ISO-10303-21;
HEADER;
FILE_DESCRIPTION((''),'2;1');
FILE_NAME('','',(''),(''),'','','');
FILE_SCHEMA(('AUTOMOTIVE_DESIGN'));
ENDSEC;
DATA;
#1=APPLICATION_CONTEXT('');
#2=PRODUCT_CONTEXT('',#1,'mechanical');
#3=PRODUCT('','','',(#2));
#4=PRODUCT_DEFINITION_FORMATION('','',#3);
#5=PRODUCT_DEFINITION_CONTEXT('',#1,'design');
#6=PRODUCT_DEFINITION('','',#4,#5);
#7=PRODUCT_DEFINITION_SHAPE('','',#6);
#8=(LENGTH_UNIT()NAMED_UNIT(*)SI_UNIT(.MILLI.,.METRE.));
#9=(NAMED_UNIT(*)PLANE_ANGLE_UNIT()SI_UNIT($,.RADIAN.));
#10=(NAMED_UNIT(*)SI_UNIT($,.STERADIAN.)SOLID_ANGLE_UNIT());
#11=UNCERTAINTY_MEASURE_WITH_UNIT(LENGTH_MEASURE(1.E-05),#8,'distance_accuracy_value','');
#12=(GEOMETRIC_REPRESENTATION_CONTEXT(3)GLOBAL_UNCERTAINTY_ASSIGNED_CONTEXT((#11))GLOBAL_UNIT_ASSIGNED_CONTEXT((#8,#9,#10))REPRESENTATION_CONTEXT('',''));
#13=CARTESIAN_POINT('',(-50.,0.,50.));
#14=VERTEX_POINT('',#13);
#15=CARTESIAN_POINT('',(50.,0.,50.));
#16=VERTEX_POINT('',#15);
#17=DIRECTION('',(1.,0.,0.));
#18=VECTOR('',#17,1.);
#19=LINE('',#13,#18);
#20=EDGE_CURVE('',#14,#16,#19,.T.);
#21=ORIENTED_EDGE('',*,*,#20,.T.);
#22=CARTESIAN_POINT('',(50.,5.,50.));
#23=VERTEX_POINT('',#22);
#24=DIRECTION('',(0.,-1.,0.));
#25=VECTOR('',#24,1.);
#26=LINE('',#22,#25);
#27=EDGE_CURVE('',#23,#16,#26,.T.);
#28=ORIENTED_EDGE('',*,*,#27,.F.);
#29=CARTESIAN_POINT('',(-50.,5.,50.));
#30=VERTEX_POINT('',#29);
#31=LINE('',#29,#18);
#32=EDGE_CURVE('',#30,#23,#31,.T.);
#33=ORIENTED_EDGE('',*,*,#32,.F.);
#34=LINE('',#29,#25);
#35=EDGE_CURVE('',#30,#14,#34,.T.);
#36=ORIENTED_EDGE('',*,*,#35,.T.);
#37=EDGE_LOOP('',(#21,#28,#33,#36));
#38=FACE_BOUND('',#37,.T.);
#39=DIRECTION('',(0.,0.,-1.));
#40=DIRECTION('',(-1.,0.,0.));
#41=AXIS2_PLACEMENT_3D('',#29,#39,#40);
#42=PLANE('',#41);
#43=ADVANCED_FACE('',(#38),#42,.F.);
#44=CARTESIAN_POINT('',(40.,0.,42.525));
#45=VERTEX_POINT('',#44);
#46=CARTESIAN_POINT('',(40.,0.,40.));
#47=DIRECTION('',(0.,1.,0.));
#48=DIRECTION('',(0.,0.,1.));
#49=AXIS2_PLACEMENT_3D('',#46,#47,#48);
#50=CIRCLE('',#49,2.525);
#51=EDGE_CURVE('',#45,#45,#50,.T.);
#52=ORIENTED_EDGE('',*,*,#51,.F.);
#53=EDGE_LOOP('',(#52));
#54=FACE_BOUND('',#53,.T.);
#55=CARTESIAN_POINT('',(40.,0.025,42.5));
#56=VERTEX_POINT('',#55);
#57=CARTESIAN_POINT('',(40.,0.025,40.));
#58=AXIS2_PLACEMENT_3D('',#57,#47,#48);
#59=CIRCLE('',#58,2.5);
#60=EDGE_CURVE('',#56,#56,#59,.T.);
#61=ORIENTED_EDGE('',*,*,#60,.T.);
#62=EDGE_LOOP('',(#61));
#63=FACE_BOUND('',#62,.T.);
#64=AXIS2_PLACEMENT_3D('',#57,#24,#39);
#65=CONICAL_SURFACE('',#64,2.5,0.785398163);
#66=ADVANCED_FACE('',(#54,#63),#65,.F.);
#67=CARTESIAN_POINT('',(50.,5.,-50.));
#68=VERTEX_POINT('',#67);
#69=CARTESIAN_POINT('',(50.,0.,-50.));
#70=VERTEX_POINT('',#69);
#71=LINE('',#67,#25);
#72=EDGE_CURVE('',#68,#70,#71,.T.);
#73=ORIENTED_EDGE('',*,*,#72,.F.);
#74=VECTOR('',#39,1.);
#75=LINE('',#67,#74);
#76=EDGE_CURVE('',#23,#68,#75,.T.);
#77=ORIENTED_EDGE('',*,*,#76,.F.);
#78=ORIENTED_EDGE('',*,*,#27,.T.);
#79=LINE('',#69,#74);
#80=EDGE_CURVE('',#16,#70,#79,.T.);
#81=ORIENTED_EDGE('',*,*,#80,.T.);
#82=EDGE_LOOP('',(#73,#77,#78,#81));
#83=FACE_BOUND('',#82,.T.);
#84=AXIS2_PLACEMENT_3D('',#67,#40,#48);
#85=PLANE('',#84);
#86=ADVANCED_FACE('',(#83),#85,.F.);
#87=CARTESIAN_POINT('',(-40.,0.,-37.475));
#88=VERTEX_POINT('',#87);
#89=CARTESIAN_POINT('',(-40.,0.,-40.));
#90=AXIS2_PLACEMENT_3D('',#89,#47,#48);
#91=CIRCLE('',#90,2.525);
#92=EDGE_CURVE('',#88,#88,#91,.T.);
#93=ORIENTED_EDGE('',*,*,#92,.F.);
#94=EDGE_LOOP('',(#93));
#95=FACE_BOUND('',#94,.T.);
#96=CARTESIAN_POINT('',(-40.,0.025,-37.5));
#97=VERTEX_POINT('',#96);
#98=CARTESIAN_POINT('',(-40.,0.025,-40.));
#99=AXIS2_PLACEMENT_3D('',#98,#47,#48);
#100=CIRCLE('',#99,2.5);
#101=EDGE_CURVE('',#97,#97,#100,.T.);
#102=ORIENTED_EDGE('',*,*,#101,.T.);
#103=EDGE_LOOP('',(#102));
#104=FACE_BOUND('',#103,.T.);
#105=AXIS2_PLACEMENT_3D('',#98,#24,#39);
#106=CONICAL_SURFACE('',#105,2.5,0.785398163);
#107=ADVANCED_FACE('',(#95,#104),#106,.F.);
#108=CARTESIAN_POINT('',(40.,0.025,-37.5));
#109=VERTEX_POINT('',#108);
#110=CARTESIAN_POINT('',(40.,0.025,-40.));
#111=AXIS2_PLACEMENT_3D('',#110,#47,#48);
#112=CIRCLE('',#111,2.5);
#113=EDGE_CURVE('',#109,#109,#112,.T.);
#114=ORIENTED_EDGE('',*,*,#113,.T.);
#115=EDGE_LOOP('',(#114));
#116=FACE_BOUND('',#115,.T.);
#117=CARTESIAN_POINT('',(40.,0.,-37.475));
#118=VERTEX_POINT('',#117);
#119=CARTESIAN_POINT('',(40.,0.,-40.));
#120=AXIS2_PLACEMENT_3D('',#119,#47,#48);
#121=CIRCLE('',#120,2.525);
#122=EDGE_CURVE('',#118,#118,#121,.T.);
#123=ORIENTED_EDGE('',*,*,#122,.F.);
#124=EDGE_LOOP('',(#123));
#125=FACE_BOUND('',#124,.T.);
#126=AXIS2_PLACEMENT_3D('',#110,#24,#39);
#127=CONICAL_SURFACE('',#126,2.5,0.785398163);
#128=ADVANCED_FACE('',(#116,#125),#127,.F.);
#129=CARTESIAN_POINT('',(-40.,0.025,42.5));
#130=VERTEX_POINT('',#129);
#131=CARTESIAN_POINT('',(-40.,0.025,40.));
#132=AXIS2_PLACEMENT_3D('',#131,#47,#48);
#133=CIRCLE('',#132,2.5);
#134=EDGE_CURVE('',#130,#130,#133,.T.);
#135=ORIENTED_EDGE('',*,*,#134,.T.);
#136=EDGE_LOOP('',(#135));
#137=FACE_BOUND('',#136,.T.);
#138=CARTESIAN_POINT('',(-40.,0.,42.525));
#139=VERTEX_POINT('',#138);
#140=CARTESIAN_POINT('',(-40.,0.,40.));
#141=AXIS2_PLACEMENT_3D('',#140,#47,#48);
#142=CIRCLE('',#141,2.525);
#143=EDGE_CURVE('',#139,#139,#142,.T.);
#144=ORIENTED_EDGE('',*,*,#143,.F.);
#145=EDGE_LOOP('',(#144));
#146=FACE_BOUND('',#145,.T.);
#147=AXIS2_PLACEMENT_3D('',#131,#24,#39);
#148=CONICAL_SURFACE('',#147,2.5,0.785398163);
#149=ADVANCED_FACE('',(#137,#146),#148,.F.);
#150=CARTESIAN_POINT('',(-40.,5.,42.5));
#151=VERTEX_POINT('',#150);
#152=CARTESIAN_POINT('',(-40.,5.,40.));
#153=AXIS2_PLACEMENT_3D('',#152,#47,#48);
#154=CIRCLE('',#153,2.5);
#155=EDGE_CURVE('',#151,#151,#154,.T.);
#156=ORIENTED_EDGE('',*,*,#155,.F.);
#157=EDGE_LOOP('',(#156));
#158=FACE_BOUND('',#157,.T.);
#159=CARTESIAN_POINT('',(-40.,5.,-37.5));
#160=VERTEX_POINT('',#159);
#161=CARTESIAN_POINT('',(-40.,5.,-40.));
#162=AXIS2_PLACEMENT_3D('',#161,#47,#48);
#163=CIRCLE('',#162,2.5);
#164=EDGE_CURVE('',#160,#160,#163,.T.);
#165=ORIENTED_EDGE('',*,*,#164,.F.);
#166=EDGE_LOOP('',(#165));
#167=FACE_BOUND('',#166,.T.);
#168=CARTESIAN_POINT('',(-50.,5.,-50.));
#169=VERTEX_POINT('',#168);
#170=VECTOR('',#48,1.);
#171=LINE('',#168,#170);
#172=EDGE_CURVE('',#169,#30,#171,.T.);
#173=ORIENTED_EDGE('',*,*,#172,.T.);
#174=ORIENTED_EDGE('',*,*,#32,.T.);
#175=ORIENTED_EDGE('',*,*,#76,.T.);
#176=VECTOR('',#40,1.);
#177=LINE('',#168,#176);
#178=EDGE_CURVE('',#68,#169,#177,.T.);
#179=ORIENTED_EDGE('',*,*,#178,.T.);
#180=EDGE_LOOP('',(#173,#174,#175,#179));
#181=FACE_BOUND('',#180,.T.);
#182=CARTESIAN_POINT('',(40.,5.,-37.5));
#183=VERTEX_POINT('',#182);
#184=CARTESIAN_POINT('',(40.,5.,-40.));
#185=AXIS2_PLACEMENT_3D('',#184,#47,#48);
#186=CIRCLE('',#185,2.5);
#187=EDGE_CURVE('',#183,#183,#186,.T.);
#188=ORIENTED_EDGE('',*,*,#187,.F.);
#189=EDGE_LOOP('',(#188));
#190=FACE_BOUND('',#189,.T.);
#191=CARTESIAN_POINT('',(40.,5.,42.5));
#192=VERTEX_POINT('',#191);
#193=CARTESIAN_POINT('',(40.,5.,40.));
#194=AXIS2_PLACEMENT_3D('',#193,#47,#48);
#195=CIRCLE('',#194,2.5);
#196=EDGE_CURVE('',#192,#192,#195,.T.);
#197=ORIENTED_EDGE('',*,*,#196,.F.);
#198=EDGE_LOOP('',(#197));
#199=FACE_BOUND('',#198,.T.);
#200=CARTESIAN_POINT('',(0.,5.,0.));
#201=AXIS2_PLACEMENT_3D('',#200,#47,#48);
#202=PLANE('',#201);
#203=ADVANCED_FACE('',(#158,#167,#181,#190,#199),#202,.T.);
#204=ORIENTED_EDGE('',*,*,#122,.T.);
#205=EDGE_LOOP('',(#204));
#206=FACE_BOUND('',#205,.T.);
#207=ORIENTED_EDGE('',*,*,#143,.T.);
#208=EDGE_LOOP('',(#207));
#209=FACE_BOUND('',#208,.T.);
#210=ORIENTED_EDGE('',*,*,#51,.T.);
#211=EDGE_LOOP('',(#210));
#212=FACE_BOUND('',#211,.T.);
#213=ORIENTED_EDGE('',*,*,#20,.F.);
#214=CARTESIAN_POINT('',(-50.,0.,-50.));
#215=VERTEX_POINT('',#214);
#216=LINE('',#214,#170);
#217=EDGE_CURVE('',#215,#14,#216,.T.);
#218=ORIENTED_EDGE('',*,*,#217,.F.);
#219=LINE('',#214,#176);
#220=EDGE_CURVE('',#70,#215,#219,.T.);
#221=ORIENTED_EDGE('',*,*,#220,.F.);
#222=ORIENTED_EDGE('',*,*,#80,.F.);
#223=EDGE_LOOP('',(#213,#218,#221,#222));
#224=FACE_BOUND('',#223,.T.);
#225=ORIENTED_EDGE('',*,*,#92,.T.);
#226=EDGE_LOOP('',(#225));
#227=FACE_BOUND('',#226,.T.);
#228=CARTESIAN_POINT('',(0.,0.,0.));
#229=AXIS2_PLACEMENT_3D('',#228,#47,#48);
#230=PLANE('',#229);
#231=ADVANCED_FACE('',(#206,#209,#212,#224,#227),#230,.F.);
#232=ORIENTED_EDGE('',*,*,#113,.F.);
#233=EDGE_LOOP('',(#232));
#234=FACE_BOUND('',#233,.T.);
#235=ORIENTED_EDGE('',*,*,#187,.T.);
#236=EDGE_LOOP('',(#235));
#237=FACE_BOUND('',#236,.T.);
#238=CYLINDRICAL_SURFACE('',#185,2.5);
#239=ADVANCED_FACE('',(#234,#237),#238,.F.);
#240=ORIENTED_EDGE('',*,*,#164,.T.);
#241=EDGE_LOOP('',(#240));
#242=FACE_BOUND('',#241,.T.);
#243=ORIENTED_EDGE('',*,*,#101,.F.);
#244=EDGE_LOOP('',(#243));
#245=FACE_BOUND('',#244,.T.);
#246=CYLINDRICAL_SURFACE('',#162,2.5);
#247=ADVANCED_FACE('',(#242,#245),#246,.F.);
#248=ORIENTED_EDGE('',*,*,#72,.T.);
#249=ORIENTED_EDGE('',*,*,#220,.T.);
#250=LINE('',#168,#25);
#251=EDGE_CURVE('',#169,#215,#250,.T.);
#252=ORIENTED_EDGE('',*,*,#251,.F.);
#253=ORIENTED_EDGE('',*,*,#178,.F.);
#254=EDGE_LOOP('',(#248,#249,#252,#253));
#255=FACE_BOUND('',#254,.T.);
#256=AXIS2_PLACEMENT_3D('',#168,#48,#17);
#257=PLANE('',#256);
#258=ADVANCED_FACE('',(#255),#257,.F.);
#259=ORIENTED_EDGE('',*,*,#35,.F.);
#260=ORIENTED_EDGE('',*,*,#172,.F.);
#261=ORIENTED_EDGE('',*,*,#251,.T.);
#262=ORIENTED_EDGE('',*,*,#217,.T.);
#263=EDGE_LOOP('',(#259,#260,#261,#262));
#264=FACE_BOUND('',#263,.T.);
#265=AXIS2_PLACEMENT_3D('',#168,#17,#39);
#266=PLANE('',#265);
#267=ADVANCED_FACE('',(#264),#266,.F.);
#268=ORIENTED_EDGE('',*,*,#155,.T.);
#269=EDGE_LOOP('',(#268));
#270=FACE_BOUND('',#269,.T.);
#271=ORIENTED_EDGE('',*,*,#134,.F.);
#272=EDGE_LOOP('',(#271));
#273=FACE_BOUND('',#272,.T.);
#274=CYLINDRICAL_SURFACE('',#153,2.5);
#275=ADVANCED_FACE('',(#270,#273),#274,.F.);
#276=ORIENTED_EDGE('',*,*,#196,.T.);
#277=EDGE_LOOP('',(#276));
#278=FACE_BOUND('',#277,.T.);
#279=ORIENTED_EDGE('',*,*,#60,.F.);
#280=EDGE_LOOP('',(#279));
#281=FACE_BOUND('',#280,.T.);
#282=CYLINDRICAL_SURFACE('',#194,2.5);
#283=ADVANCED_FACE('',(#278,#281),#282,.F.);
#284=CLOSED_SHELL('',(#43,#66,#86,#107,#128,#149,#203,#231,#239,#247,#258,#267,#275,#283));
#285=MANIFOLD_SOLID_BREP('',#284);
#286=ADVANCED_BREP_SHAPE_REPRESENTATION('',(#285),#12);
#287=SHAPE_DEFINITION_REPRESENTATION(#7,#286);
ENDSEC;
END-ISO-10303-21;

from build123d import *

# Parameters (mm, degrees)
SKETCH1_W           = 100
SKETCH1_H           = 100
BOSS_EXTRUDE1_DEPTH = 5


with BuildPart() as part:
    # Sketch1 → Boss-Extrude1 (new body)
    with BuildSketch(Plane(origin=(0, 0, 0), x_dir=(1, 0, 0), z_dir=(0, 1, 0))):
        Rectangle(SKETCH1_W, SKETCH1_H)
    extrude(amount=BOSS_EXTRUDE1_DEPTH)

    # Sketch4 → Ø5.0mm Dowel Hole1 (revolve, cut)
    with BuildSketch(Plane(origin=(40, 5, 40), x_dir=(0, 0, 1), z_dir=(1, 0, 0))):
        Polygon((0, 0), (0, 5), (2.525, 5), (2.5, 4.975), (2.5, 0), align=None)
    f_5_0mm_dowel_hole1 = revolve(axis=Axis((40, 11.35, 40), (0, -1, 0)), mode=Mode.SUBTRACT)

    # Mirror1: Ø5.0mm Dowel Hole1 across plane
    add(f_5_0mm_dowel_hole1.mirror(Plane(origin=(0, 0, 0), x_dir=(0, 0, 1), z_dir=(1, 0, 0))), mode=Mode.SUBTRACT)

    # Mirror1 at the second plane: Ø5.0mm Dowel Hole1 across plane
    add(f_5_0mm_dowel_hole1.mirror(Plane.XY), mode=Mode.SUBTRACT)

    # Mirror1 at the second plane copy 1 sketc → Mirror1 at the second plane copy 1 (revolve, cut)
    with BuildSketch(Plane(origin=(-40, 5, -40), x_dir=(0, 0, -1), z_dir=(-1, 0, 0))):
        Polygon((0, 0), (0, 5), (2.525, 5), (2.5, 4.975), (2.5, 0), align=None)
    revolve(axis=Axis((-40, 11.35, -40), (0, -1, 0)), mode=Mode.SUBTRACT)


solid = part.part
